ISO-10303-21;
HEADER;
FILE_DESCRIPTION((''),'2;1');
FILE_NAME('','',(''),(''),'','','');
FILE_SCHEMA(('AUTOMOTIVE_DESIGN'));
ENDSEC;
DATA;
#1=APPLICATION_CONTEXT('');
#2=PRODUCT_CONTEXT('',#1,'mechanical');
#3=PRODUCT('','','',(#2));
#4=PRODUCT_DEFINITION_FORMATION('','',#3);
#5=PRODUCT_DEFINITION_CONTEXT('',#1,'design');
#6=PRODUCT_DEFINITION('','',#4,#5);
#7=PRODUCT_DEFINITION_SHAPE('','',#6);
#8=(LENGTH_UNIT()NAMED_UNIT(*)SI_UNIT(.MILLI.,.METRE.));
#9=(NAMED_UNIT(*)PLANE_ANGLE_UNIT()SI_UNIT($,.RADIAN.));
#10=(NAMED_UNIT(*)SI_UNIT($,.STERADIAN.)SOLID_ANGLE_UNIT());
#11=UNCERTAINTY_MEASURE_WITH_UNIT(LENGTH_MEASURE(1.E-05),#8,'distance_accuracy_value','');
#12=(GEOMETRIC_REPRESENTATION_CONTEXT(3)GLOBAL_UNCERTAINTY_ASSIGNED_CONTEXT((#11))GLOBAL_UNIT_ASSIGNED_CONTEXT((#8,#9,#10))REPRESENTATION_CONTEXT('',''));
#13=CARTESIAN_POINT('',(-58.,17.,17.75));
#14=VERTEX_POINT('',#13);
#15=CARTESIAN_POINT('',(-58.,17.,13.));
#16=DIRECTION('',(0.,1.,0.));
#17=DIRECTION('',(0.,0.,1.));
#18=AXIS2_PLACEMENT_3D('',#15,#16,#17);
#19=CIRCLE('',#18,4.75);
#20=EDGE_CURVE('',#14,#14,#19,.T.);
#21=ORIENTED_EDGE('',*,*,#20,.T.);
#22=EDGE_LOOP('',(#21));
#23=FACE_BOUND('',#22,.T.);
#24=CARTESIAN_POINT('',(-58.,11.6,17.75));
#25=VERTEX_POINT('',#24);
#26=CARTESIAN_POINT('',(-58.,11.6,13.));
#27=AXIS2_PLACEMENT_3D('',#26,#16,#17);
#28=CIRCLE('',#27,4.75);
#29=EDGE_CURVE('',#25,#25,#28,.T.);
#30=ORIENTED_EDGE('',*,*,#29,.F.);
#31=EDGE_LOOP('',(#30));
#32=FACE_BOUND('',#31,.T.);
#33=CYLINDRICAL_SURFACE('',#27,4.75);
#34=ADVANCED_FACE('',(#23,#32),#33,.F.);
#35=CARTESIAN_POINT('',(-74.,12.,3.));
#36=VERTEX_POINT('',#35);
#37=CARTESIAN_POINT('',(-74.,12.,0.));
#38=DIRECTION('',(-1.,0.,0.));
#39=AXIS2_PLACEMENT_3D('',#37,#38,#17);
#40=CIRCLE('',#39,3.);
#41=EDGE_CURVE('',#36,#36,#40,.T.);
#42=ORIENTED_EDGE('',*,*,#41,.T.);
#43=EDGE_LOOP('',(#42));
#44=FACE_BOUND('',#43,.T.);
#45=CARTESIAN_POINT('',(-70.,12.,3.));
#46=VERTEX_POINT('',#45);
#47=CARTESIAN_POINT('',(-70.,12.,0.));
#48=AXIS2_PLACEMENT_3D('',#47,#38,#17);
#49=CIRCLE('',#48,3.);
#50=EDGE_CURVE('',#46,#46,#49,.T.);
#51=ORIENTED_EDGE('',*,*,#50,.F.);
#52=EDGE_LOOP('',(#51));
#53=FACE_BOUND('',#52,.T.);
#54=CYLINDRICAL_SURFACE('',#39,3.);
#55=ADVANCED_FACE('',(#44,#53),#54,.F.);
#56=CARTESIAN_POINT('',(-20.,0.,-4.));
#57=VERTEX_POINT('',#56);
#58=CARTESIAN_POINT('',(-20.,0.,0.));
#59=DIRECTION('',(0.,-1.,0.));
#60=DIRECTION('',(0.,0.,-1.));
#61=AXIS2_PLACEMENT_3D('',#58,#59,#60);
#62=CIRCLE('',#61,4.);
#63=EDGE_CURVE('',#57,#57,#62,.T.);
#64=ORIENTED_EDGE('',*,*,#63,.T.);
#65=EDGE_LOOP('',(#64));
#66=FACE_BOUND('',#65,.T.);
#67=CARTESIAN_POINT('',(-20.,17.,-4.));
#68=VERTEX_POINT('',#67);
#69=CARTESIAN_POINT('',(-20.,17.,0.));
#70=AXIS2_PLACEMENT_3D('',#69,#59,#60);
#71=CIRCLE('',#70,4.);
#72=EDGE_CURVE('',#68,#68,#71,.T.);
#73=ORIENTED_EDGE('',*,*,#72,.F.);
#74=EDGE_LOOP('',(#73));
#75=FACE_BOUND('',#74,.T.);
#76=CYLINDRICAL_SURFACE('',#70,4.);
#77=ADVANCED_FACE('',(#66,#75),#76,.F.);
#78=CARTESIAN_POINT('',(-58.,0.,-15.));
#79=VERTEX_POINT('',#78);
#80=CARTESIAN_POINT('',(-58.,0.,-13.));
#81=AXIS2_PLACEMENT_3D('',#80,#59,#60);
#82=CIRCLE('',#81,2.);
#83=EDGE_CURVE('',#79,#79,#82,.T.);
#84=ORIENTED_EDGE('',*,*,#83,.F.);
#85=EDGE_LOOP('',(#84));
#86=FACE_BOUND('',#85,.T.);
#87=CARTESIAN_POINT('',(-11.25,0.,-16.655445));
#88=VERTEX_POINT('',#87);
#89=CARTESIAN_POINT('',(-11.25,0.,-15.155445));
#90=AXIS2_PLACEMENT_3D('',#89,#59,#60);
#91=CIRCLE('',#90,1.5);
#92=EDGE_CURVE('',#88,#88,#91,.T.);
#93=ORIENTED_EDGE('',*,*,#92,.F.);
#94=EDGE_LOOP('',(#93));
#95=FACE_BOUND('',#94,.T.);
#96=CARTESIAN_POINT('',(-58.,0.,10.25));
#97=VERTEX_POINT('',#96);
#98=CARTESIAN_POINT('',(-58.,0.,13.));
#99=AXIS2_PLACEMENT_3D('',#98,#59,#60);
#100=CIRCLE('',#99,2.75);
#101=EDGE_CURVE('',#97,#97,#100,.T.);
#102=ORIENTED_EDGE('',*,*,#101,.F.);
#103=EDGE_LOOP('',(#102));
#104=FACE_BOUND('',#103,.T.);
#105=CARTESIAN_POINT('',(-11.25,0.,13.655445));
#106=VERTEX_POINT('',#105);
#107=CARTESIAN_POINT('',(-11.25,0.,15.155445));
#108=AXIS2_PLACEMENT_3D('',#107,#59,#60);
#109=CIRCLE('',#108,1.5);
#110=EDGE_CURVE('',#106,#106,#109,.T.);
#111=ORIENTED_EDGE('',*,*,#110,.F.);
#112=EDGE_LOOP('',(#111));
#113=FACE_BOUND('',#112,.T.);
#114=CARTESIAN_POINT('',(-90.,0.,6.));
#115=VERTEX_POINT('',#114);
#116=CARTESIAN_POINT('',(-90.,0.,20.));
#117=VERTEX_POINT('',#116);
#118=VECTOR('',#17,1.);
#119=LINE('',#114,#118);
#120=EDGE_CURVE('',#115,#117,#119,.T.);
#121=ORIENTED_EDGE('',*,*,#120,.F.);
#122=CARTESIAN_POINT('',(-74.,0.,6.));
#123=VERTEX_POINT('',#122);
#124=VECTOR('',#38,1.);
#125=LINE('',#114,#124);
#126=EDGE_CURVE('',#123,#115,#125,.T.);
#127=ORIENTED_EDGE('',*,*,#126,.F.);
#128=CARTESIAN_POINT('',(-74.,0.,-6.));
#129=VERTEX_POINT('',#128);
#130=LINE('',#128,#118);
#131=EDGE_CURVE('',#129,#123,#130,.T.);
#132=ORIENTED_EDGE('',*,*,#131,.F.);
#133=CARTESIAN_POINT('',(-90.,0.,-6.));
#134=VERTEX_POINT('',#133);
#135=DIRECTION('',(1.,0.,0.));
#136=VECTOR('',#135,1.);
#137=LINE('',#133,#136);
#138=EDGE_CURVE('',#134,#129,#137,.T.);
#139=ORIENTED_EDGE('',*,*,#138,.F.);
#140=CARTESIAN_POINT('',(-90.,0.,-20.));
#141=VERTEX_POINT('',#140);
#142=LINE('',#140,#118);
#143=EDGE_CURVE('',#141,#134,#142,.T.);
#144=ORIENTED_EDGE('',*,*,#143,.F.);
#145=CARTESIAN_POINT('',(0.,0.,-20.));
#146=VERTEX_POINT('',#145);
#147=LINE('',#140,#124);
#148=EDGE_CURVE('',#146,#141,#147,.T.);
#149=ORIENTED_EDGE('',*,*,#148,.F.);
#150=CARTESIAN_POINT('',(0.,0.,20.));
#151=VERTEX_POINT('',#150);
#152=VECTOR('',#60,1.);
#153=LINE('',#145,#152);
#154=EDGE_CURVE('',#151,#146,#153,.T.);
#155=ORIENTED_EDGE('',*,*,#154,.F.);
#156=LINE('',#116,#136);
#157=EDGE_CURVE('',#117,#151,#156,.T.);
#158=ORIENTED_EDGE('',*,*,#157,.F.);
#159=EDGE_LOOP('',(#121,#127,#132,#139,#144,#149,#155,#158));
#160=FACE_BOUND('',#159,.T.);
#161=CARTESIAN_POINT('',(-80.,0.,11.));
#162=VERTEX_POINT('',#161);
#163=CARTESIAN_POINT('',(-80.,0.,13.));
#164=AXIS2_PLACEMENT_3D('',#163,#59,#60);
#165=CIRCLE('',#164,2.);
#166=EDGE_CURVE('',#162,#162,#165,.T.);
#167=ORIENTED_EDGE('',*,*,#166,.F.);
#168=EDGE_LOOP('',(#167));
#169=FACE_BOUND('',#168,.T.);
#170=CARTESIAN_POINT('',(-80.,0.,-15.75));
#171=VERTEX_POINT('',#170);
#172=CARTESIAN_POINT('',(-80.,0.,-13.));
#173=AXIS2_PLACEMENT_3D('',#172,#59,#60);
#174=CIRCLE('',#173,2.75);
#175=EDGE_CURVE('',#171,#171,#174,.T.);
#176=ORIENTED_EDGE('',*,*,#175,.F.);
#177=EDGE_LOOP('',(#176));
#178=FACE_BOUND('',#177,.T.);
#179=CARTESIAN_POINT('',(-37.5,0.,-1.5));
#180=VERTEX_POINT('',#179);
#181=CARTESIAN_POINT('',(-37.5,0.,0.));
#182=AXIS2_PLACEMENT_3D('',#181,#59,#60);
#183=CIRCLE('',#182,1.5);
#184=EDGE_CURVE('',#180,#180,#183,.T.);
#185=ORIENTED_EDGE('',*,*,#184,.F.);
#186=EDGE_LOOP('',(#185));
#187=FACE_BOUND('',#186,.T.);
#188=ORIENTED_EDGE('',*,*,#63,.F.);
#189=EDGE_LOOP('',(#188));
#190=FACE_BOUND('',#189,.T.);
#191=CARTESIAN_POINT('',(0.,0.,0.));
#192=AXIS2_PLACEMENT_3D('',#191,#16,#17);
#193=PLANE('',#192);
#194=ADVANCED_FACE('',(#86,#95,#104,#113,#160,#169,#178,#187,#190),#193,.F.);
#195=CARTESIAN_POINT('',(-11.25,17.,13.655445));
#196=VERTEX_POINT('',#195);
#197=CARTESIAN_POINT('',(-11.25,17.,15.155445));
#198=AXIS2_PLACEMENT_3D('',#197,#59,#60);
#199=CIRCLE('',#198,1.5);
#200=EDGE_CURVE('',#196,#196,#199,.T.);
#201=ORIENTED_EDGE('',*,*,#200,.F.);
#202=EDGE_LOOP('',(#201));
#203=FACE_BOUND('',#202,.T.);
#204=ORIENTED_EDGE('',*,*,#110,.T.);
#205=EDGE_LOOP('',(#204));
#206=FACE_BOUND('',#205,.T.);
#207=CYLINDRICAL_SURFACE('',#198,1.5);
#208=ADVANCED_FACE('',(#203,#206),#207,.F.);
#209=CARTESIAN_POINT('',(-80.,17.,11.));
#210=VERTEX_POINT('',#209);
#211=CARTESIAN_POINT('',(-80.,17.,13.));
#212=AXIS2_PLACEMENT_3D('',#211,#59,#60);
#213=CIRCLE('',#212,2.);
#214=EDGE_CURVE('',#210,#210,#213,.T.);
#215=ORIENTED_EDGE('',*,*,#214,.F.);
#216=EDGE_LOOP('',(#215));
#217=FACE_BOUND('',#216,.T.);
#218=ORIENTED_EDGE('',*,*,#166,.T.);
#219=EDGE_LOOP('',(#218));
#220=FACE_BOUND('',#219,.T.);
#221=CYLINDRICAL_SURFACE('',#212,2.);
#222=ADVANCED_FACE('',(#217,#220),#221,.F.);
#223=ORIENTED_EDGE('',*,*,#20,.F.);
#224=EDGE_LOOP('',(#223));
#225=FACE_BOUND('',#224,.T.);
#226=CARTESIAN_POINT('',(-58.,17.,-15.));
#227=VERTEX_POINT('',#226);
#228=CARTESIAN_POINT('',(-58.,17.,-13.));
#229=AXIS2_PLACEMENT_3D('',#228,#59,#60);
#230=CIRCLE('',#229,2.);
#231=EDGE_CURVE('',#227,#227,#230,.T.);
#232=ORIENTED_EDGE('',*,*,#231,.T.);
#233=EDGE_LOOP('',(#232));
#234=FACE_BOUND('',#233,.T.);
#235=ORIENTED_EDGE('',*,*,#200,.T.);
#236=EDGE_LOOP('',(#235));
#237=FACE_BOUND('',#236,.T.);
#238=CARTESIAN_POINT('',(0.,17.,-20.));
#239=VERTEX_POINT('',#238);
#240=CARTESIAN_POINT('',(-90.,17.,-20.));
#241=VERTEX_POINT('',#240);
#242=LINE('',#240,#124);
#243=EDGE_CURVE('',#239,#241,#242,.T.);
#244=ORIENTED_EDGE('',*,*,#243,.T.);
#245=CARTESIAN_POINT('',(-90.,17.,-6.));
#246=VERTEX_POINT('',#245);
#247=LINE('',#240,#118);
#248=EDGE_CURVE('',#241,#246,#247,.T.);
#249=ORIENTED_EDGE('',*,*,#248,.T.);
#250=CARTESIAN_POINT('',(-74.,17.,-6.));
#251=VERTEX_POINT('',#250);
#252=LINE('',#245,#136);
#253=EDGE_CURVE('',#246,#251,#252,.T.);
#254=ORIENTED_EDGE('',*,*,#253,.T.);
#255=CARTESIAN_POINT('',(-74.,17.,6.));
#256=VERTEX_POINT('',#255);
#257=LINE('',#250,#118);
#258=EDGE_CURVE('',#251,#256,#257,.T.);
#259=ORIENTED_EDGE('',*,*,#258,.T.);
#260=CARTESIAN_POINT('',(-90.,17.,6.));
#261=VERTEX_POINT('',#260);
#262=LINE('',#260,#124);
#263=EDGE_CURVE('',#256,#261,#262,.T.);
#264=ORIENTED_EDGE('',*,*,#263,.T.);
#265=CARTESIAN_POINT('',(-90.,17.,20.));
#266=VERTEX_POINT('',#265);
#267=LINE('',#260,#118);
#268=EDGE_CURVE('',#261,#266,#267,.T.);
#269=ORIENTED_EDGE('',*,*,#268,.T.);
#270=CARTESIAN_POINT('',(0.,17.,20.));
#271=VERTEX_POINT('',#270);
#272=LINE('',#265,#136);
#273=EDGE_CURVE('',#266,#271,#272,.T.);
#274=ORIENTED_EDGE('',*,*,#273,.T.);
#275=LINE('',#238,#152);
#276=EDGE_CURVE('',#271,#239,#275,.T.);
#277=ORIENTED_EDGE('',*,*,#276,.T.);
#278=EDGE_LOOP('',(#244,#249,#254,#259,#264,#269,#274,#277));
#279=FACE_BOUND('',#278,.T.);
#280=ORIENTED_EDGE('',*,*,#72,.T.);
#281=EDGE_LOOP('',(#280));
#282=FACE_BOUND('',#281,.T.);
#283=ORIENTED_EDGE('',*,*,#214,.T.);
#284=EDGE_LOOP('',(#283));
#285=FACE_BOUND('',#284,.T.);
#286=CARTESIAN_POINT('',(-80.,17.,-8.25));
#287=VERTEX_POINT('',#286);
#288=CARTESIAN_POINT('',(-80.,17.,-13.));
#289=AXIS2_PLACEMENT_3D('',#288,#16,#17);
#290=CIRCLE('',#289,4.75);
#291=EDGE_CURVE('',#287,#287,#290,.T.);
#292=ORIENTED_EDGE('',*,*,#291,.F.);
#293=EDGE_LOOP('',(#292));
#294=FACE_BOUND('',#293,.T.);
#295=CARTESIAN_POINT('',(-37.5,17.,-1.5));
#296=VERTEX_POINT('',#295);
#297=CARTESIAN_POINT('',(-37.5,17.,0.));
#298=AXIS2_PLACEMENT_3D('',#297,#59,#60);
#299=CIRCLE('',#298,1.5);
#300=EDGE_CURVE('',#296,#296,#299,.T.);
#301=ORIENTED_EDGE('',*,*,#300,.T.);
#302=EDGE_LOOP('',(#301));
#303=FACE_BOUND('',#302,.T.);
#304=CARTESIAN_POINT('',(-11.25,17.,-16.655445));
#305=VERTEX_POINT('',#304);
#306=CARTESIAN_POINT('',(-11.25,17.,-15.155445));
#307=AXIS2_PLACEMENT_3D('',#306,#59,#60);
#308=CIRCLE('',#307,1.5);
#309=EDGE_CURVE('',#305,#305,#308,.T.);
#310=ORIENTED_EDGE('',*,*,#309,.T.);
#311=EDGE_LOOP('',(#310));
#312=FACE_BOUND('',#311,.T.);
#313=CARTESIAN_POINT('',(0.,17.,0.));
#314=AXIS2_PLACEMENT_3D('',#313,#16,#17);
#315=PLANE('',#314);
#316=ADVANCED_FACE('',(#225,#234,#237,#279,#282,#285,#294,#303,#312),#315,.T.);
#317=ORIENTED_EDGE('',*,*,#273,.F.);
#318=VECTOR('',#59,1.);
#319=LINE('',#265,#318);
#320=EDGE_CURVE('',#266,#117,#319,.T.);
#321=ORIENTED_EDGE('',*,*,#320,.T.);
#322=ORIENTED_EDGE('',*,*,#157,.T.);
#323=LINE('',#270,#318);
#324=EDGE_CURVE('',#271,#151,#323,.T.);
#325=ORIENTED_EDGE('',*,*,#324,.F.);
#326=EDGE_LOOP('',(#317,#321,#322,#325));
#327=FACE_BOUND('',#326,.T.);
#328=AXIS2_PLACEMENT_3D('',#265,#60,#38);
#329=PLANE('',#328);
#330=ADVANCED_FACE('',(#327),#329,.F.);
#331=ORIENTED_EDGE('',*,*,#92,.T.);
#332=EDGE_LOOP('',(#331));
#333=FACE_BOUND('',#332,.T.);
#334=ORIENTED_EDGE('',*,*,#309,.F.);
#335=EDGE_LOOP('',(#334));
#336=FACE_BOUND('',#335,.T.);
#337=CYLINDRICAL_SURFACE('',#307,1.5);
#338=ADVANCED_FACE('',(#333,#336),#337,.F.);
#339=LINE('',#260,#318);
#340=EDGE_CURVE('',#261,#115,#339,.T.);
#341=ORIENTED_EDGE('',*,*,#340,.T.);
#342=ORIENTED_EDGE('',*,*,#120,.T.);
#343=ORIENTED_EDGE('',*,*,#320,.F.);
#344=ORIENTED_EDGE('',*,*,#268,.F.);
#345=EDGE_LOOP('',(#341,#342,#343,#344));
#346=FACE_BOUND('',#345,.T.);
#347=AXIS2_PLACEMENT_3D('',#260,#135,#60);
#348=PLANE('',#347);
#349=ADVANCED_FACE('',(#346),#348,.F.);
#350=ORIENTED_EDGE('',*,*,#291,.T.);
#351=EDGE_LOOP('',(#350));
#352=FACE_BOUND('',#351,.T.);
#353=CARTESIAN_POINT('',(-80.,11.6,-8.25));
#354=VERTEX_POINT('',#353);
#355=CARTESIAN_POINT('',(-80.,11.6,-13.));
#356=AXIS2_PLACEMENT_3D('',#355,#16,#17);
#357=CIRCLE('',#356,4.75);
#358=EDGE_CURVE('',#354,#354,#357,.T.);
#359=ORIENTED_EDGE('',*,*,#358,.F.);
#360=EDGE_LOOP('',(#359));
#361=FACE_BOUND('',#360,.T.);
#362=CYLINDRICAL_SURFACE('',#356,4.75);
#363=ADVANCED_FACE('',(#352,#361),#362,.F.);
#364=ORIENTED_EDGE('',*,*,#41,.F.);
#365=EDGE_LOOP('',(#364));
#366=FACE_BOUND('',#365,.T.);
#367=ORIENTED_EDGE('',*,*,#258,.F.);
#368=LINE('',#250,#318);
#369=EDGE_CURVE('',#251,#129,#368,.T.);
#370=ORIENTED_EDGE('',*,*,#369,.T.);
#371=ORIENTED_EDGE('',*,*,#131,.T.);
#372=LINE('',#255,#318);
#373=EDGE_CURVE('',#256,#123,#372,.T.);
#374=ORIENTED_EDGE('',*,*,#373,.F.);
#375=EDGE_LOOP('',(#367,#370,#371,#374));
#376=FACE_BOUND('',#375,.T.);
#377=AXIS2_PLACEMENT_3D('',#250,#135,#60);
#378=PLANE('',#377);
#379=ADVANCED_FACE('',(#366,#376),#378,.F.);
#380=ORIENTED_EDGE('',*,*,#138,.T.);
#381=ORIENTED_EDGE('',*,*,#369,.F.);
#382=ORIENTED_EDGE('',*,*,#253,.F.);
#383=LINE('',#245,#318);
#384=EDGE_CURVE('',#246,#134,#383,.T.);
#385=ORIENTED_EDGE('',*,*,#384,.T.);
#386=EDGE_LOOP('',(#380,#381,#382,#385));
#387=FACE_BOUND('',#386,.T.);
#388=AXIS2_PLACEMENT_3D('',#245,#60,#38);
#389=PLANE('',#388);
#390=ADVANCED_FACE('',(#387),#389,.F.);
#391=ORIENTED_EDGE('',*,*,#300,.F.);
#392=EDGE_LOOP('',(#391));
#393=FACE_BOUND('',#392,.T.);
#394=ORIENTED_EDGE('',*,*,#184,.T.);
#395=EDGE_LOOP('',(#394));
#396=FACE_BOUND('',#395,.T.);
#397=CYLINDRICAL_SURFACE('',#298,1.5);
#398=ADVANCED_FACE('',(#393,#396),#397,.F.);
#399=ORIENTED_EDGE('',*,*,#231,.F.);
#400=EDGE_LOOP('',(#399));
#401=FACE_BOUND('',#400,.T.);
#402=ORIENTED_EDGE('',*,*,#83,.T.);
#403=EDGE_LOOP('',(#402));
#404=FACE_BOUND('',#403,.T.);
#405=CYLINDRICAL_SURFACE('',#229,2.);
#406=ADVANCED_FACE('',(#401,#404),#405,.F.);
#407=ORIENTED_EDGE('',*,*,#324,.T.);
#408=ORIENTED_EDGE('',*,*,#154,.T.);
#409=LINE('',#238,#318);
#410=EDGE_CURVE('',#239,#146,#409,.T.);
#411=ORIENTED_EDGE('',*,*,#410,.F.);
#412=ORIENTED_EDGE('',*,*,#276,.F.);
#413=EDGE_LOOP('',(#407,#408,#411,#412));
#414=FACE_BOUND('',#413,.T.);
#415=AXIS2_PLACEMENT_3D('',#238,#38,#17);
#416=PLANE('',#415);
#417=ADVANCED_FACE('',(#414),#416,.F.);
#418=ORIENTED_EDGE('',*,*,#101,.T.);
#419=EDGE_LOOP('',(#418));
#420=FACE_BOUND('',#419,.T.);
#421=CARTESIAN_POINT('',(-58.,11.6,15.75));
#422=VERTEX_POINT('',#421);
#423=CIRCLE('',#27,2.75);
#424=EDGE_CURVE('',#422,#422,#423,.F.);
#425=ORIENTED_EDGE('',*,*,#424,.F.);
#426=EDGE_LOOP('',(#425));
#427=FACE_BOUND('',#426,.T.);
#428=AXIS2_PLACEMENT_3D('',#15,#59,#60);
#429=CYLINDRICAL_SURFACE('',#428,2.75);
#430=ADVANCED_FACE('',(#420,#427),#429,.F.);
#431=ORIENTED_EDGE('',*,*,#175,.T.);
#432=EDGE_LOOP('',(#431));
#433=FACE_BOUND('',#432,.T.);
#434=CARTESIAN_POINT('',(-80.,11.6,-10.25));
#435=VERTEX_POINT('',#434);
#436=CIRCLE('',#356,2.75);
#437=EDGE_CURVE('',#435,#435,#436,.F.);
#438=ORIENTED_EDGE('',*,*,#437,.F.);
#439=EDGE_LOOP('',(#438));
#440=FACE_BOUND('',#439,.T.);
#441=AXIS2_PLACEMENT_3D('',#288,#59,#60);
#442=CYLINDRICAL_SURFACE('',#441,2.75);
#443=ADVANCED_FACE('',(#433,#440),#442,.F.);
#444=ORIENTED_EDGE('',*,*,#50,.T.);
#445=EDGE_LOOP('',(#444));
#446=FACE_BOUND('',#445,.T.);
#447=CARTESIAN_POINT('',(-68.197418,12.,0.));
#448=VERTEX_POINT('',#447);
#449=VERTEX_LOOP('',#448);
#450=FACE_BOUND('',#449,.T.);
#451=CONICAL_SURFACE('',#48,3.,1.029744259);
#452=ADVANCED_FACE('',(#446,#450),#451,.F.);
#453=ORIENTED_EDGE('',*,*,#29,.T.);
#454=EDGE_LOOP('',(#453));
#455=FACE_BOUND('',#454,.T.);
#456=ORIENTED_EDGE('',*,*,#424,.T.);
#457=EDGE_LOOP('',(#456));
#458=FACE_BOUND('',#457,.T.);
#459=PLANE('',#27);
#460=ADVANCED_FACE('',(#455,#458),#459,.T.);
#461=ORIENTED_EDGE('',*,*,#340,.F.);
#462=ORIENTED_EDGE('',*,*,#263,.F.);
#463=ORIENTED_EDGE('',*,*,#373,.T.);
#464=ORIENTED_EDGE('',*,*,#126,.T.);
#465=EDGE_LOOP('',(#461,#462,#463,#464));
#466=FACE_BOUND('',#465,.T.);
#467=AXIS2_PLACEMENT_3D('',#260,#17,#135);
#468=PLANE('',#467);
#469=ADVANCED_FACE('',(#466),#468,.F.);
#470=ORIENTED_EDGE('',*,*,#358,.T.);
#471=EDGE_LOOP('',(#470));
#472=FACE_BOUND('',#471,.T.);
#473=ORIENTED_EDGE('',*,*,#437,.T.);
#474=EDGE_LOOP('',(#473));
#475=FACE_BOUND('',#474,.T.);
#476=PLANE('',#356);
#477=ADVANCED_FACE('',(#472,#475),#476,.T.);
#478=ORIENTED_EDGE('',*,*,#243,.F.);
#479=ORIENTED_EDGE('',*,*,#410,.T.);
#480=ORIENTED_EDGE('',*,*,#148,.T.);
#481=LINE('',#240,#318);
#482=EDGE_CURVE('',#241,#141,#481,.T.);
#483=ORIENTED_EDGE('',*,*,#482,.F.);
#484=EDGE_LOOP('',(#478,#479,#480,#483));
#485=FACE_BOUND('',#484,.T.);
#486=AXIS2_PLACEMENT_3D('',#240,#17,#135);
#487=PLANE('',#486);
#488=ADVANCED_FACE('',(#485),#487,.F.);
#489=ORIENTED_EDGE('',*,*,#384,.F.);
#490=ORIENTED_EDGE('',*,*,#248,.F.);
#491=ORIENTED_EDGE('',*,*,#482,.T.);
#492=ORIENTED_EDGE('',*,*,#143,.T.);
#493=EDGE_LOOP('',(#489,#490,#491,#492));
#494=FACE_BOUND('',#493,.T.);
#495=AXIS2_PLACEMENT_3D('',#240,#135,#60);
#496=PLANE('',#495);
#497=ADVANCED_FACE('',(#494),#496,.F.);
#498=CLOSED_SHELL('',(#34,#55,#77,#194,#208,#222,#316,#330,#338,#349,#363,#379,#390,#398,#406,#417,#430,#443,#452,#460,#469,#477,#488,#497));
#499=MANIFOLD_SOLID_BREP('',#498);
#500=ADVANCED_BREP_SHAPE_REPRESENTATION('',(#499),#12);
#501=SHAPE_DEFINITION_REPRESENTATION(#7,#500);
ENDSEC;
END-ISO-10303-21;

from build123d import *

# Parameters (mm, degrees)
EXTRUDE_1_DEPTH        = 17
SKETCH_4_R             = 2.75
SKETCH_4_R_2           = 2
SKETCH_4_R_3           = 4
SKETCH_4_R_4           = 1.5
CUT_EXTRUDE_2_DEPTH    = 18
SKETCH_5_R             = 4.75
CUT_EXTRUDE_3_DEPTH    = 5.4
HOLE_WIZARD_M4_1_D     = 6
HOLE_WIZARD_M4_1_DEPTH = 4
HOLE_WIZARD_M4_1_TIP   = 1.802581857


with BuildPart() as part:
    # 스케치1 → 보스-돌출1 (new body)
    with BuildSketch(Plane(origin=(0, 0, 0), x_dir=(1, 0, 0), z_dir=(0, 1, 0))):
        Polygon((-90, -6), (-90, -20), (0, -20), (0, 20), (-90, 20), (-90, 6), (-74, 6), (-74, -6), align=None)
    extrude(amount=EXTRUDE_1_DEPTH)

    # 스케치4 → 컷-돌출2 (cut, through all)
    with BuildSketch(Plane.XZ):
        with Locations((-80, -13)):
            Circle(SKETCH_4_R)
        with Locations((-80, 13)):
            Circle(SKETCH_4_R_2)
        with Locations((-58, 13)):
            Circle(SKETCH_4_R)
        with Locations((-58, -13)):
            Circle(SKETCH_4_R_2)
        with Locations((-20, 0)):
            Circle(SKETCH_4_R_3)
        with Locations((-11.25, 15.155444566)):
            Circle(SKETCH_4_R_4)
        with Locations((-11.25, -15.155444566)):
            Circle(SKETCH_4_R_4)
        with Locations((-37.5, 0)):
            Circle(SKETCH_4_R_4)
    extrude(amount=-CUT_EXTRUDE_2_DEPTH, mode=Mode.SUBTRACT)

    # 스케치5 → 컷-돌출3 (cut)
    with BuildSketch(Plane(origin=(0, 17, 0), x_dir=(1, 0, 0), z_dir=(0, 1, 0))):
        with Locations((-80, 13)):
            Circle(SKETCH_5_R)
        with Locations((-58, -13)):
            Circle(SKETCH_5_R)
    extrude(amount=-CUT_EXTRUDE_3_DEPTH, mode=Mode.SUBTRACT)

    # M4 여유 구멍1
    with Locations(Plane.ZY.offset(74)):
        with Locations((0, 12)):
            Hole(HOLE_WIZARD_M4_1_D / 2, depth=HOLE_WIZARD_M4_1_DEPTH)
            with Locations((0, 0, -(HOLE_WIZARD_M4_1_DEPTH + HOLE_WIZARD_M4_1_TIP / 2))):  # 118° drill point
                Cone(0, HOLE_WIZARD_M4_1_D / 2, HOLE_WIZARD_M4_1_TIP, mode=Mode.SUBTRACT)


solid = part.part
